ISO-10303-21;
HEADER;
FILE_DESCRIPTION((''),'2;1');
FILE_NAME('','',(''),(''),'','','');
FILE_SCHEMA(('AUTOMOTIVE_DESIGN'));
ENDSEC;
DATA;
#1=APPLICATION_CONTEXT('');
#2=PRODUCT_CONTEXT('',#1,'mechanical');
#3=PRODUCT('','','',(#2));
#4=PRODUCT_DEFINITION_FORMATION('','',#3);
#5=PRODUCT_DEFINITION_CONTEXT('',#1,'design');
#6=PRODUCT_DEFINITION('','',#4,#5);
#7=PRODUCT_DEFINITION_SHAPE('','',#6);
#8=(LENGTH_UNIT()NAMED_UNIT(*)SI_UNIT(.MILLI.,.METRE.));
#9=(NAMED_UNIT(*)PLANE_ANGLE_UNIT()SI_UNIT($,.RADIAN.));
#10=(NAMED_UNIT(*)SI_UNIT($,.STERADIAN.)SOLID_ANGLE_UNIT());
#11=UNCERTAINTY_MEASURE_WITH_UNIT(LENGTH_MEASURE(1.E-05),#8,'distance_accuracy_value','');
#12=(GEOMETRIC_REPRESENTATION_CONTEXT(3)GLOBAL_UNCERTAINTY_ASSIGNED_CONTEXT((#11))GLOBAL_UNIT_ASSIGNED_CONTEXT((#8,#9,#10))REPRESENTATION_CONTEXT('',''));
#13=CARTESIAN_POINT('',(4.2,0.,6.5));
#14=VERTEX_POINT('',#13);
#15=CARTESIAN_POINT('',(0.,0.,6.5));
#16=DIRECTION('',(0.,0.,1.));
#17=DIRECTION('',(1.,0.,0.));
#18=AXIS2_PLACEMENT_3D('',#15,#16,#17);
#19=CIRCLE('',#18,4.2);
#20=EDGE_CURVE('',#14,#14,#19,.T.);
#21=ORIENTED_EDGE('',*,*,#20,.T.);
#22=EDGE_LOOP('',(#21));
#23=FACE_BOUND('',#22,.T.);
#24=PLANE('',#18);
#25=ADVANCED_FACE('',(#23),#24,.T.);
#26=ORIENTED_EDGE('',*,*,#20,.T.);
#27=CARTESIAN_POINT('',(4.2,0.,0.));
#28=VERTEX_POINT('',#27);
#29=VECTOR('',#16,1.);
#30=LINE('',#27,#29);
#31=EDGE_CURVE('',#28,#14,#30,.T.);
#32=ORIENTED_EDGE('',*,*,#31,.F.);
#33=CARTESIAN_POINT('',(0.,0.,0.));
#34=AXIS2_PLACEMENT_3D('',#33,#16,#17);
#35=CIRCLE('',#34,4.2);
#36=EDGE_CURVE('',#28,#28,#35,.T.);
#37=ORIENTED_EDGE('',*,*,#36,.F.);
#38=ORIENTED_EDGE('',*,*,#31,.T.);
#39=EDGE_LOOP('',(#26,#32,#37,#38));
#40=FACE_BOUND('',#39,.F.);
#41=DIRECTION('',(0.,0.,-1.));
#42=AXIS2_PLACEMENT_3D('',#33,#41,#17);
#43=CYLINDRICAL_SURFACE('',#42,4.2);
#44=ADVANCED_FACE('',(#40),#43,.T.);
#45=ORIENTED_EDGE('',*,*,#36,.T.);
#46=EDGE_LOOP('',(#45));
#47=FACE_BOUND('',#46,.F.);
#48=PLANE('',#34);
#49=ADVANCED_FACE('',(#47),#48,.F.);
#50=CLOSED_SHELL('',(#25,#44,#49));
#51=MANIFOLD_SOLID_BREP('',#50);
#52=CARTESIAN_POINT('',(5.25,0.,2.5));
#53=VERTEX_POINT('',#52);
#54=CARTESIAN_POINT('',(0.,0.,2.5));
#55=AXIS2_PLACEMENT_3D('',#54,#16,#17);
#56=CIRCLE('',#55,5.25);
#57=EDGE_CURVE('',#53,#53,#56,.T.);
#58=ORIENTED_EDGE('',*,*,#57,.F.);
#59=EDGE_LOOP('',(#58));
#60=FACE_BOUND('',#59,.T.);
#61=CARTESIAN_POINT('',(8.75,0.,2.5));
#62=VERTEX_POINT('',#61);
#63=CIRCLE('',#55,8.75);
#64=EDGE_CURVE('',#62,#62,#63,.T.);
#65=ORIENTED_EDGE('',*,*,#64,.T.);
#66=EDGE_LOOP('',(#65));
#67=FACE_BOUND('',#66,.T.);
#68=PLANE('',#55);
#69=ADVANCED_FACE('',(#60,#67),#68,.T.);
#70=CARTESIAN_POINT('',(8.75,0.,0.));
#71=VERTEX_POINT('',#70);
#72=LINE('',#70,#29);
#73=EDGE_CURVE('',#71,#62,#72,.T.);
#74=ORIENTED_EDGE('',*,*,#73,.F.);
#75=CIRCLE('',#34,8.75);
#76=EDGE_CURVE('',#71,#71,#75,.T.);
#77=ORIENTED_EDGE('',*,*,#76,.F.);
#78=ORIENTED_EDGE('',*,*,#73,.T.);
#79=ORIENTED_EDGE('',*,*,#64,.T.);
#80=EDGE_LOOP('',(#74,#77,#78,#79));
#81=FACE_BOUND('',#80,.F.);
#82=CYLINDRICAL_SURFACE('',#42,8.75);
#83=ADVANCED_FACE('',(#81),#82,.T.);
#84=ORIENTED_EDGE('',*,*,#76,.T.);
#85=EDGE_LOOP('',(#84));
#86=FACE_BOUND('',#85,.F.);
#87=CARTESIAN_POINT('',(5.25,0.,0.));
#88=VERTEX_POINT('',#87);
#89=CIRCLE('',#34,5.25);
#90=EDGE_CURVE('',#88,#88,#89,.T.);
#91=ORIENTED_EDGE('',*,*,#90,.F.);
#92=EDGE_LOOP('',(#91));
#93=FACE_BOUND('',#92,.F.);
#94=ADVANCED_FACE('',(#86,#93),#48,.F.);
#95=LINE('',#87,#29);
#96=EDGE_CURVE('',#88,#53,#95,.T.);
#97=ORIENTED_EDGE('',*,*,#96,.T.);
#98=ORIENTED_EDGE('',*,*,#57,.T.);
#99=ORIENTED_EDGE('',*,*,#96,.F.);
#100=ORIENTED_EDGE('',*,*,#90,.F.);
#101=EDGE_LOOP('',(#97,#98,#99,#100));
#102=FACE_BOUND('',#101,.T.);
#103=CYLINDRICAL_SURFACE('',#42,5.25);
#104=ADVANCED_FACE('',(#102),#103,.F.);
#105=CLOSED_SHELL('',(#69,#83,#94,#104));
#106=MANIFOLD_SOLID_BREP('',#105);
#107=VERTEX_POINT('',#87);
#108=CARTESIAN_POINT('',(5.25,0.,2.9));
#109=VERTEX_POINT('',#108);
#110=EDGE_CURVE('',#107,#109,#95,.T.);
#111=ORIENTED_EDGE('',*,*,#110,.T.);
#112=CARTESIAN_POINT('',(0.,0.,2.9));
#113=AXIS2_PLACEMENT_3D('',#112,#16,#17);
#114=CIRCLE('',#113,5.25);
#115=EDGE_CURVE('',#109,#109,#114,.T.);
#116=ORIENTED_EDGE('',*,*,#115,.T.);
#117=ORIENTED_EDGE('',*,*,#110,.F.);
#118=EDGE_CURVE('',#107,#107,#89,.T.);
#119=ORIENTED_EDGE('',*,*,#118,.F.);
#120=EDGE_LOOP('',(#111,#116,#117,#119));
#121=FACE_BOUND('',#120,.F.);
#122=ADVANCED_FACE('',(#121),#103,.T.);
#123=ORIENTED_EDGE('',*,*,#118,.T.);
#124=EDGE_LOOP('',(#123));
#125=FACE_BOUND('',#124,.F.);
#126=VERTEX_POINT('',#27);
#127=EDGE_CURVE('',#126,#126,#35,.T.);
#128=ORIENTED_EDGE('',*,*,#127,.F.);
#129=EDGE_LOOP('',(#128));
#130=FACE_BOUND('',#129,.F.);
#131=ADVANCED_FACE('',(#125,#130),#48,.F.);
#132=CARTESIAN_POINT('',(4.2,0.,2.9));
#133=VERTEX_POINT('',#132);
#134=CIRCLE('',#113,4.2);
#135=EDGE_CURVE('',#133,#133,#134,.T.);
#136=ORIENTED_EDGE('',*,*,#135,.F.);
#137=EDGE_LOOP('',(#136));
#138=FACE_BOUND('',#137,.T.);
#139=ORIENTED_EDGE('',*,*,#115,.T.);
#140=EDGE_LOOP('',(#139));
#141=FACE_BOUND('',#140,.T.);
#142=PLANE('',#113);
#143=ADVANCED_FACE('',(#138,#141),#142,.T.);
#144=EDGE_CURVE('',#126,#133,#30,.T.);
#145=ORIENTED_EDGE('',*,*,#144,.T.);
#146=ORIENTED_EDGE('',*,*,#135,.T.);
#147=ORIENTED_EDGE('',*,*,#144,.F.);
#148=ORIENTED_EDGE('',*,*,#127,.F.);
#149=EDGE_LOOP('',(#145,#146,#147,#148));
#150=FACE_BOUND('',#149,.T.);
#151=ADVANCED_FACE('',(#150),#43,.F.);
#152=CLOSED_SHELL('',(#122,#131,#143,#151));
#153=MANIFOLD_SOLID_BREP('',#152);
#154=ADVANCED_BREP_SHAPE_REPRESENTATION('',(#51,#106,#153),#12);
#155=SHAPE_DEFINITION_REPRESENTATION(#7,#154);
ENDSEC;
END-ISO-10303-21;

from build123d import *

# Parameters (mm, degrees)
F0_R     = 8.75
F0_R_2   = 5.25
F1_DEPTH = 2.5
F0_R_3   = 4.2
F2_DEPTH = 6.5
F3_DEPTH = 2.9


with BuildPart() as f1:
    # F0 (on Top) → F1 (new body)
    with BuildSketch(Plane.XY):
        Circle(F0_R)
        Circle(F0_R_2, mode=Mode.SUBTRACT)
    extrude(amount=F1_DEPTH)


with BuildPart() as f2:
    # F0 (on Top) → F2 (new body)
    with BuildSketch(Plane.XY):
        Circle(F0_R_3)
    extrude(amount=F2_DEPTH)


with BuildPart() as f3:
    # F0 (on Top) → F3 (new body)
    with BuildSketch(Plane.XY):
        Circle(F0_R_2)
        Circle(F0_R_3, mode=Mode.SUBTRACT)
    extrude(amount=F3_DEPTH)


solid = Compound([f1.part, f2.part, f3.part])
